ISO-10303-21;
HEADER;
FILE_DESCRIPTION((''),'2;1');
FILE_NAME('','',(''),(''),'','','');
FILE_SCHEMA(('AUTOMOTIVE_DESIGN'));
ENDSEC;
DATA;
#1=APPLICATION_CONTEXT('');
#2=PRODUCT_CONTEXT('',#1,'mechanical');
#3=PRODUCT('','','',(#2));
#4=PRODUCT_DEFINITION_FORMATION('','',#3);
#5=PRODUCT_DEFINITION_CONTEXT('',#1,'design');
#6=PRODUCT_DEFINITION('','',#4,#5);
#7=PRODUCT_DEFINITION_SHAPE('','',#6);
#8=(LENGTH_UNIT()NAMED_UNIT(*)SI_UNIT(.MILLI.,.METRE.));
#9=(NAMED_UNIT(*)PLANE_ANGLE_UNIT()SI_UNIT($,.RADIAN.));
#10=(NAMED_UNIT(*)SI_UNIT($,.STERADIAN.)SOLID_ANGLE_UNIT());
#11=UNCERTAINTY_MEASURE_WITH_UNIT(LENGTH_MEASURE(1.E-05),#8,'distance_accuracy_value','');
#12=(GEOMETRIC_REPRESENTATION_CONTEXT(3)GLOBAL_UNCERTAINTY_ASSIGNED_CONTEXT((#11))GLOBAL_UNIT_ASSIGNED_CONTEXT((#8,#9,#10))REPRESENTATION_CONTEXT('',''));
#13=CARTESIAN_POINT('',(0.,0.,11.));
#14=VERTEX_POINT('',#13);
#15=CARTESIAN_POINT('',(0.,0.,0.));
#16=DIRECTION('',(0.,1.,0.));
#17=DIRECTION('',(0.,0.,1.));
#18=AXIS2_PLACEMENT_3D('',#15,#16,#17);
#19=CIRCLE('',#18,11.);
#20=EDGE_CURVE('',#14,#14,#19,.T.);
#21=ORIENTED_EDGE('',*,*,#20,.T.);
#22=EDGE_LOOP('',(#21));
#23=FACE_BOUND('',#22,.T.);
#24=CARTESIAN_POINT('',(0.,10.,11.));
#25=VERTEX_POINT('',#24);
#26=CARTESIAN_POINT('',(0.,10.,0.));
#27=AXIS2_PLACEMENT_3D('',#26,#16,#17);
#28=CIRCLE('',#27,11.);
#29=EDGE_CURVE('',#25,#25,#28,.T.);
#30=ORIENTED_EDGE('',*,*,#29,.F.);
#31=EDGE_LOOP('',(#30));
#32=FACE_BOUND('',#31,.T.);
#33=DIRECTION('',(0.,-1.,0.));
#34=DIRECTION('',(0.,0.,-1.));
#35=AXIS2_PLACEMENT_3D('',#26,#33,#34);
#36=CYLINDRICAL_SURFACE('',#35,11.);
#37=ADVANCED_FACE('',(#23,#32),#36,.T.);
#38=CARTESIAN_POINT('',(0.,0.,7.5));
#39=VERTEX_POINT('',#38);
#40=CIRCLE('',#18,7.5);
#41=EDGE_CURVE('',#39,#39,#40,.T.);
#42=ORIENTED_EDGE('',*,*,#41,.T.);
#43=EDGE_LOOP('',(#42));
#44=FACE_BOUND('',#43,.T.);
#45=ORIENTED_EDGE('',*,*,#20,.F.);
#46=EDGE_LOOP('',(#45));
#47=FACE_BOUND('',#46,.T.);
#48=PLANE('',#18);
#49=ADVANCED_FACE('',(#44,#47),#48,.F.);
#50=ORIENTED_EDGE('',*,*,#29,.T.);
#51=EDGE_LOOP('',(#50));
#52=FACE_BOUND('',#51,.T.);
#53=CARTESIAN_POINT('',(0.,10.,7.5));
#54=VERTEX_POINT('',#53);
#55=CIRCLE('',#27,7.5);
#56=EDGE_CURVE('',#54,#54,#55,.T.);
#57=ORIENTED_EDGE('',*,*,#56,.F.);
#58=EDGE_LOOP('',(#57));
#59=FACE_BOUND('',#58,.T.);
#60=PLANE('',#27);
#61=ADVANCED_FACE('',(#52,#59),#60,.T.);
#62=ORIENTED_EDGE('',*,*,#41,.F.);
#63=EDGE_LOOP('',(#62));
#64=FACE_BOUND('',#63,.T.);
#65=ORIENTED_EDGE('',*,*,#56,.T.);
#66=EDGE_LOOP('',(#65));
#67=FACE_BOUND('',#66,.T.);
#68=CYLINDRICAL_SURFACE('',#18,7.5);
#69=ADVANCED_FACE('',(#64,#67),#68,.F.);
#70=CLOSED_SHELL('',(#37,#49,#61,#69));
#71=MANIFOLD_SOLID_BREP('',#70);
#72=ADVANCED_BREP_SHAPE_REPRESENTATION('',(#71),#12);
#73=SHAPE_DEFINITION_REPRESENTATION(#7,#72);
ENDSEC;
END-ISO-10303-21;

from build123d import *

# Parameters (mm, degrees)
SKETCH1_R           = 11
BOSS_EXTRUDE1_DEPTH = 10
SKETCH2_R           = 7.5
CUT_EXTRUDE1_DEPTH  = 10


with BuildPart() as part:
    # Sketch1 → Boss-Extrude1 (new body)
    with BuildSketch(Plane(origin=(0, 0, 0), x_dir=(1, 0, 0), z_dir=(0, 1, 0))):
        with Locations(Location((0, 0, 0), (0, 0, 270))):
            Circle(SKETCH1_R)
    extrude(amount=BOSS_EXTRUDE1_DEPTH)

    # Sketch2 → Cut-Extrude1 (cut)
    with BuildSketch(Plane(origin=(0, 10, 0), x_dir=(1, 0, 0), z_dir=(0, 1, 0))):
        with Locations(Location((0, 0, 0), (0, 0, 270))):
            Circle(SKETCH2_R)
    extrude(amount=-CUT_EXTRUDE1_DEPTH, mode=Mode.SUBTRACT)


solid = part.part
